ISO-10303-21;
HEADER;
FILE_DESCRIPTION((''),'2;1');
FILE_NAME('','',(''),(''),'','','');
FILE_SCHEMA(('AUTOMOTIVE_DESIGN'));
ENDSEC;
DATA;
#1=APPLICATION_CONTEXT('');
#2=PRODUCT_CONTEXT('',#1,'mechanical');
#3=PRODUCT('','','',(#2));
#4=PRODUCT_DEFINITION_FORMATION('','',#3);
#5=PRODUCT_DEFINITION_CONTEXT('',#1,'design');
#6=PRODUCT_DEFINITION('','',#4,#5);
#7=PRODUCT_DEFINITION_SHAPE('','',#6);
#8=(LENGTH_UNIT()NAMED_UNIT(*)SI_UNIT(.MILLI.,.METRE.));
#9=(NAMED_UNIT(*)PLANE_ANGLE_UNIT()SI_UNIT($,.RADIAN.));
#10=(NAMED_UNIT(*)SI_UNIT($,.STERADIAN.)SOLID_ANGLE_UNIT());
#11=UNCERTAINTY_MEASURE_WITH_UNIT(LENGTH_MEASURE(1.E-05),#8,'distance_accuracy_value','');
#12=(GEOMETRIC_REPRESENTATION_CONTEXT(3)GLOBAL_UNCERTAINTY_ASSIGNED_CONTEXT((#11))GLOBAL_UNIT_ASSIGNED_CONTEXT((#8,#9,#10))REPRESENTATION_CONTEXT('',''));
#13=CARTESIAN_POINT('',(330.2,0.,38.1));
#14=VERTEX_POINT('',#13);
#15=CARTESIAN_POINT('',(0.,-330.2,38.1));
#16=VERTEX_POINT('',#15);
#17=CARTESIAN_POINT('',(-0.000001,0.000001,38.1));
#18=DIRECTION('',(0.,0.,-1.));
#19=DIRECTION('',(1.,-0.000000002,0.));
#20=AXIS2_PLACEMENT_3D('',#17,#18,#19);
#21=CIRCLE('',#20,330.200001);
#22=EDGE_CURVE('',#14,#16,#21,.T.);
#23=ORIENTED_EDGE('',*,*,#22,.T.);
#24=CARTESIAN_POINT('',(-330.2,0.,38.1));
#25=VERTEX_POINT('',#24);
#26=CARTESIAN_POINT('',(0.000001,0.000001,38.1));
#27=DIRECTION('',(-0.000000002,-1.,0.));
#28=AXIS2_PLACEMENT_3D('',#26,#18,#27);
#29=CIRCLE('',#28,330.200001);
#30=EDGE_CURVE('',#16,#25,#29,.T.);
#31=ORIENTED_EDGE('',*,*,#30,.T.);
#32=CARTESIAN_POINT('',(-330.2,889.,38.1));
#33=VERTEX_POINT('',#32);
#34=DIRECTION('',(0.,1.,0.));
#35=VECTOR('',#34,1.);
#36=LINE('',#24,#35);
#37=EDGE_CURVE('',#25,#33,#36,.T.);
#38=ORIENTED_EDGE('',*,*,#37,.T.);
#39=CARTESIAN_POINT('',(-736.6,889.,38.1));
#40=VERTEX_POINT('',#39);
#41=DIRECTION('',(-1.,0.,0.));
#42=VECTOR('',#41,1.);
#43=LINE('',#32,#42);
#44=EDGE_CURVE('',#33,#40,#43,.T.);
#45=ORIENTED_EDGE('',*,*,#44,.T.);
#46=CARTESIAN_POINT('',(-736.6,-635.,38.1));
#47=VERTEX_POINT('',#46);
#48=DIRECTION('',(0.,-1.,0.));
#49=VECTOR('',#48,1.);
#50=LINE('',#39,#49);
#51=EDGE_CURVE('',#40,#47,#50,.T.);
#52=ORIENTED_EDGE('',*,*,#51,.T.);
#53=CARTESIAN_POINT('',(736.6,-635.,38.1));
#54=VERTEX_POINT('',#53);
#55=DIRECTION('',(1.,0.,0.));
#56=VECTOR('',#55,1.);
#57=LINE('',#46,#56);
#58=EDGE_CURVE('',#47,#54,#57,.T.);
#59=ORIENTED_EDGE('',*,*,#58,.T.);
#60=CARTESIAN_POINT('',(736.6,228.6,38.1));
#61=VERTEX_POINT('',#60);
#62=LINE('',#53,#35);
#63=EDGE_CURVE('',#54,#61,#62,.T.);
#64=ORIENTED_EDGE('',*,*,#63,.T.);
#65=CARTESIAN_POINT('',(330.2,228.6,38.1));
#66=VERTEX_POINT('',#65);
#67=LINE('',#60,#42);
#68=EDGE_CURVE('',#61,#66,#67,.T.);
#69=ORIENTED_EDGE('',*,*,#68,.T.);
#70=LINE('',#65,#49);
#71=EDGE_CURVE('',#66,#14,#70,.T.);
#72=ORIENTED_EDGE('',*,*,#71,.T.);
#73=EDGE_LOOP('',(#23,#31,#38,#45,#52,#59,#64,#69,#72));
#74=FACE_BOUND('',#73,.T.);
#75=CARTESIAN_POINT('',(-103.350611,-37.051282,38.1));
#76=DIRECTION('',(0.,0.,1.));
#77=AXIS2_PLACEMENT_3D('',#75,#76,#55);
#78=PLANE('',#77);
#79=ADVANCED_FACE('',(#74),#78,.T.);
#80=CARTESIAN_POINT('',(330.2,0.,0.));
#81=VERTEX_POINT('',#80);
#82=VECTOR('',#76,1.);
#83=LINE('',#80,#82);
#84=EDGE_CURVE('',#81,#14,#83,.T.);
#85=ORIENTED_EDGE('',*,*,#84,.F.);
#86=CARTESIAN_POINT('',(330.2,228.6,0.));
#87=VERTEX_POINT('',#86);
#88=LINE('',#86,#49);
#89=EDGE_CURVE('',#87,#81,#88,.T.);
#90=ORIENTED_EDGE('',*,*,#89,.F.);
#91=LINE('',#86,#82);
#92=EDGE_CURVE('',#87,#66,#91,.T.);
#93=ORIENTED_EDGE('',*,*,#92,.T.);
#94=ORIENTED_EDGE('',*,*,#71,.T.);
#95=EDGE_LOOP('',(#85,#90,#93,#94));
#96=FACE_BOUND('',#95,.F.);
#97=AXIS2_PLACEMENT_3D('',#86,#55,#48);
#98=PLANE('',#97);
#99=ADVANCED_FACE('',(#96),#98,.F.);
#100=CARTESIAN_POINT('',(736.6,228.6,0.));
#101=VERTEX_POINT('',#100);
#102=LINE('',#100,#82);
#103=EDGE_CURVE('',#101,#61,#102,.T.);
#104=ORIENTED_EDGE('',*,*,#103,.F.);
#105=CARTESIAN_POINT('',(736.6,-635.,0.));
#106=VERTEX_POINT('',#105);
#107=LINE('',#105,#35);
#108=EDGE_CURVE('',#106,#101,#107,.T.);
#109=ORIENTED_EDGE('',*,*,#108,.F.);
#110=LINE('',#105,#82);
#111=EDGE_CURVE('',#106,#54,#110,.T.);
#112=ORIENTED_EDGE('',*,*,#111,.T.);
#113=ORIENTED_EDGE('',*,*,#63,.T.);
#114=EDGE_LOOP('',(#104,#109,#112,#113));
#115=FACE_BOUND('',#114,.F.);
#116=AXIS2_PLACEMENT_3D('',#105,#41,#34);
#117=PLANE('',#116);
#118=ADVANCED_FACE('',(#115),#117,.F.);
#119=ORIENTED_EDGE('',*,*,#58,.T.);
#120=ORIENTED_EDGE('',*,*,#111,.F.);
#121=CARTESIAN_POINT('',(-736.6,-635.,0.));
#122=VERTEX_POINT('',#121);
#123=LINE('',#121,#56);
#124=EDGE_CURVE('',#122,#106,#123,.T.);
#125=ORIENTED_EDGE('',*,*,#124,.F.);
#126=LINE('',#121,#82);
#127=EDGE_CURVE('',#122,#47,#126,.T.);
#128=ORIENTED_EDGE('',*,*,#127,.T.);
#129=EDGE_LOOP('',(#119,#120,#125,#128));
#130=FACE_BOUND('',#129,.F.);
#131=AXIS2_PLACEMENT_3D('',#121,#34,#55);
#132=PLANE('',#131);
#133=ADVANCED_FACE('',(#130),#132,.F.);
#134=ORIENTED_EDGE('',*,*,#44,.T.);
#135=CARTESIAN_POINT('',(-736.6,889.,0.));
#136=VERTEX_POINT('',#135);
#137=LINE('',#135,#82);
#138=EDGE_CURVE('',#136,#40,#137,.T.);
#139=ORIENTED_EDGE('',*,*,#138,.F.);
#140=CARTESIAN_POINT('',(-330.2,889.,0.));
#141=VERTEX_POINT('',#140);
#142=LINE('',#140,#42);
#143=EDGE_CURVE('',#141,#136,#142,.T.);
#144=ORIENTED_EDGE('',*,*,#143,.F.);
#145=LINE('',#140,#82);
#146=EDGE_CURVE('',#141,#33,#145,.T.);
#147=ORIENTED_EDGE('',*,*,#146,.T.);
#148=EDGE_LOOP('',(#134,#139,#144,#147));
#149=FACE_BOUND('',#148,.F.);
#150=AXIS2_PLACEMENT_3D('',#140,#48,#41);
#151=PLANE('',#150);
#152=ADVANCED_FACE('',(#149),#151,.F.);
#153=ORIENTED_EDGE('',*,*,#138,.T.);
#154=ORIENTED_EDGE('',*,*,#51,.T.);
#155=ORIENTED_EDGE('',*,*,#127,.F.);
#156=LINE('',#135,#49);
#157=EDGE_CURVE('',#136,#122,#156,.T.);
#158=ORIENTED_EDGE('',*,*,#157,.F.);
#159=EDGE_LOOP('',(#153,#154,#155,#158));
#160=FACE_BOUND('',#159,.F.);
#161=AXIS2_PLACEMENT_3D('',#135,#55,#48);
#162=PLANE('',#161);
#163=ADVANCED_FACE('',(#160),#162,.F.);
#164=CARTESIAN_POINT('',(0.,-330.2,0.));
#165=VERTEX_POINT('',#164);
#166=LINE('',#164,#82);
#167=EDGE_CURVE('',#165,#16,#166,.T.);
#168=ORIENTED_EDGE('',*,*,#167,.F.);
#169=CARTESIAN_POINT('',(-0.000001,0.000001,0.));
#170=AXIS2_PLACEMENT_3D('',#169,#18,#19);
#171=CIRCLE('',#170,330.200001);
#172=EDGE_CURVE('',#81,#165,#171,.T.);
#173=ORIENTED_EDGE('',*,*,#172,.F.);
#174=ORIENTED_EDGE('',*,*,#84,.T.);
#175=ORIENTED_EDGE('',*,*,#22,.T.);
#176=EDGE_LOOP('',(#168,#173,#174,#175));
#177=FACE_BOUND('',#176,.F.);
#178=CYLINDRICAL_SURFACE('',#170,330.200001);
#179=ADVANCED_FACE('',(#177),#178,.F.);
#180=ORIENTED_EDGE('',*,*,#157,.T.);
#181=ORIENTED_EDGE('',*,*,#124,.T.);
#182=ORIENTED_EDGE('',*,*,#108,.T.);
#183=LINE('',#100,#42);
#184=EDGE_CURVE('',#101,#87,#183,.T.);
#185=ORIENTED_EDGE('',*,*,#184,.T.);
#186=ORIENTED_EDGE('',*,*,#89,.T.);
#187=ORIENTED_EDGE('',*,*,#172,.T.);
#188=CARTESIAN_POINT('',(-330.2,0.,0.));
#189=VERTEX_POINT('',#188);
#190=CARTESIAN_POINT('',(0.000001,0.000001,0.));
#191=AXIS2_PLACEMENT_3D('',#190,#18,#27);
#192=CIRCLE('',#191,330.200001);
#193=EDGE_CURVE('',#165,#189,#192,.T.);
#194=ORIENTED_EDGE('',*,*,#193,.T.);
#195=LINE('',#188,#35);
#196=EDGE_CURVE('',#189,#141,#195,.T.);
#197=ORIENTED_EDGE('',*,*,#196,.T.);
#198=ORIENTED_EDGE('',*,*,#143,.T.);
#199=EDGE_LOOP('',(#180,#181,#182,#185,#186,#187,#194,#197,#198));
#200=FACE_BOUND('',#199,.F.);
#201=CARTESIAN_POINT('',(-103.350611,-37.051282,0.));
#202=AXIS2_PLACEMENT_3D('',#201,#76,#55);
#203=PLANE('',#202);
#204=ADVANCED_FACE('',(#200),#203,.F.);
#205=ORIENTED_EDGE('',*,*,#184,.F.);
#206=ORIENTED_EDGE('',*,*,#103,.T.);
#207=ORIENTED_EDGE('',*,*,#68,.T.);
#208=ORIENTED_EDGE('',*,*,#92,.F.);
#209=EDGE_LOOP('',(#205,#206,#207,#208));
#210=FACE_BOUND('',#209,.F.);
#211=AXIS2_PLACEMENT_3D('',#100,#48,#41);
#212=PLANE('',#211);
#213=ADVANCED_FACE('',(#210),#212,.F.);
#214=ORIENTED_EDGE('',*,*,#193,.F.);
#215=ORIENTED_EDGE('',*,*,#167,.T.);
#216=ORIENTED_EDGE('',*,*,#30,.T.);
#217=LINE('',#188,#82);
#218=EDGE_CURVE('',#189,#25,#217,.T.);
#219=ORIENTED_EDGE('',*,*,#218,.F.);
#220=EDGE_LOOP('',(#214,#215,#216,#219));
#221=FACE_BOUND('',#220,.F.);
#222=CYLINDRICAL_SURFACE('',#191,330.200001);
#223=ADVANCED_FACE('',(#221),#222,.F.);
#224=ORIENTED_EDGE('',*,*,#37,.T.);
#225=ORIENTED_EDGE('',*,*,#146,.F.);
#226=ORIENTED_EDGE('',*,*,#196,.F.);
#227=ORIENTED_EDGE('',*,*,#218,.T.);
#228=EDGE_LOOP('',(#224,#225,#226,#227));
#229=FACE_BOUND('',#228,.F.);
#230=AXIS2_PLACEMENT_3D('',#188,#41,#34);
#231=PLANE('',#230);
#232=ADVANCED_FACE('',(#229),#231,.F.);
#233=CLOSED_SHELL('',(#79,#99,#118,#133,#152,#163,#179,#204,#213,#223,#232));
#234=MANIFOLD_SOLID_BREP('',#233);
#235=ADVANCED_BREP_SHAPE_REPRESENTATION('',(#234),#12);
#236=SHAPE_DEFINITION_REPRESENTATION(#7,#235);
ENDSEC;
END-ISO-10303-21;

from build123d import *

# Parameters (mm, degrees)
F1_DEPTH = 38.1


with BuildPart() as f1:
    # F0 (on Top) → F1 (new body)
    with BuildSketch(Plane.XY):
        with BuildLine():
            ThreePointArc((0, -330.2), (-233.486659, -233.486659), (-330.2, 0))
            Line((-330.2, 0), (-330.2, 889))
            Line((-330.2, 889), (-736.6, 889))
            Line((-736.6, 889), (-736.6, -635))
            Line((-736.6, -635), (736.6, -635))
            Line((736.6, -635), (736.6, 228.6))
            Line((736.6, 228.6), (330.2, 228.6))
            Line((330.2, 228.6), (330.2, 0))
            ThreePointArc((330.2, 0), (233.486659, -233.486659), (0, -330.2))
        make_face()
    extrude(amount=F1_DEPTH)


solid = f1.part
